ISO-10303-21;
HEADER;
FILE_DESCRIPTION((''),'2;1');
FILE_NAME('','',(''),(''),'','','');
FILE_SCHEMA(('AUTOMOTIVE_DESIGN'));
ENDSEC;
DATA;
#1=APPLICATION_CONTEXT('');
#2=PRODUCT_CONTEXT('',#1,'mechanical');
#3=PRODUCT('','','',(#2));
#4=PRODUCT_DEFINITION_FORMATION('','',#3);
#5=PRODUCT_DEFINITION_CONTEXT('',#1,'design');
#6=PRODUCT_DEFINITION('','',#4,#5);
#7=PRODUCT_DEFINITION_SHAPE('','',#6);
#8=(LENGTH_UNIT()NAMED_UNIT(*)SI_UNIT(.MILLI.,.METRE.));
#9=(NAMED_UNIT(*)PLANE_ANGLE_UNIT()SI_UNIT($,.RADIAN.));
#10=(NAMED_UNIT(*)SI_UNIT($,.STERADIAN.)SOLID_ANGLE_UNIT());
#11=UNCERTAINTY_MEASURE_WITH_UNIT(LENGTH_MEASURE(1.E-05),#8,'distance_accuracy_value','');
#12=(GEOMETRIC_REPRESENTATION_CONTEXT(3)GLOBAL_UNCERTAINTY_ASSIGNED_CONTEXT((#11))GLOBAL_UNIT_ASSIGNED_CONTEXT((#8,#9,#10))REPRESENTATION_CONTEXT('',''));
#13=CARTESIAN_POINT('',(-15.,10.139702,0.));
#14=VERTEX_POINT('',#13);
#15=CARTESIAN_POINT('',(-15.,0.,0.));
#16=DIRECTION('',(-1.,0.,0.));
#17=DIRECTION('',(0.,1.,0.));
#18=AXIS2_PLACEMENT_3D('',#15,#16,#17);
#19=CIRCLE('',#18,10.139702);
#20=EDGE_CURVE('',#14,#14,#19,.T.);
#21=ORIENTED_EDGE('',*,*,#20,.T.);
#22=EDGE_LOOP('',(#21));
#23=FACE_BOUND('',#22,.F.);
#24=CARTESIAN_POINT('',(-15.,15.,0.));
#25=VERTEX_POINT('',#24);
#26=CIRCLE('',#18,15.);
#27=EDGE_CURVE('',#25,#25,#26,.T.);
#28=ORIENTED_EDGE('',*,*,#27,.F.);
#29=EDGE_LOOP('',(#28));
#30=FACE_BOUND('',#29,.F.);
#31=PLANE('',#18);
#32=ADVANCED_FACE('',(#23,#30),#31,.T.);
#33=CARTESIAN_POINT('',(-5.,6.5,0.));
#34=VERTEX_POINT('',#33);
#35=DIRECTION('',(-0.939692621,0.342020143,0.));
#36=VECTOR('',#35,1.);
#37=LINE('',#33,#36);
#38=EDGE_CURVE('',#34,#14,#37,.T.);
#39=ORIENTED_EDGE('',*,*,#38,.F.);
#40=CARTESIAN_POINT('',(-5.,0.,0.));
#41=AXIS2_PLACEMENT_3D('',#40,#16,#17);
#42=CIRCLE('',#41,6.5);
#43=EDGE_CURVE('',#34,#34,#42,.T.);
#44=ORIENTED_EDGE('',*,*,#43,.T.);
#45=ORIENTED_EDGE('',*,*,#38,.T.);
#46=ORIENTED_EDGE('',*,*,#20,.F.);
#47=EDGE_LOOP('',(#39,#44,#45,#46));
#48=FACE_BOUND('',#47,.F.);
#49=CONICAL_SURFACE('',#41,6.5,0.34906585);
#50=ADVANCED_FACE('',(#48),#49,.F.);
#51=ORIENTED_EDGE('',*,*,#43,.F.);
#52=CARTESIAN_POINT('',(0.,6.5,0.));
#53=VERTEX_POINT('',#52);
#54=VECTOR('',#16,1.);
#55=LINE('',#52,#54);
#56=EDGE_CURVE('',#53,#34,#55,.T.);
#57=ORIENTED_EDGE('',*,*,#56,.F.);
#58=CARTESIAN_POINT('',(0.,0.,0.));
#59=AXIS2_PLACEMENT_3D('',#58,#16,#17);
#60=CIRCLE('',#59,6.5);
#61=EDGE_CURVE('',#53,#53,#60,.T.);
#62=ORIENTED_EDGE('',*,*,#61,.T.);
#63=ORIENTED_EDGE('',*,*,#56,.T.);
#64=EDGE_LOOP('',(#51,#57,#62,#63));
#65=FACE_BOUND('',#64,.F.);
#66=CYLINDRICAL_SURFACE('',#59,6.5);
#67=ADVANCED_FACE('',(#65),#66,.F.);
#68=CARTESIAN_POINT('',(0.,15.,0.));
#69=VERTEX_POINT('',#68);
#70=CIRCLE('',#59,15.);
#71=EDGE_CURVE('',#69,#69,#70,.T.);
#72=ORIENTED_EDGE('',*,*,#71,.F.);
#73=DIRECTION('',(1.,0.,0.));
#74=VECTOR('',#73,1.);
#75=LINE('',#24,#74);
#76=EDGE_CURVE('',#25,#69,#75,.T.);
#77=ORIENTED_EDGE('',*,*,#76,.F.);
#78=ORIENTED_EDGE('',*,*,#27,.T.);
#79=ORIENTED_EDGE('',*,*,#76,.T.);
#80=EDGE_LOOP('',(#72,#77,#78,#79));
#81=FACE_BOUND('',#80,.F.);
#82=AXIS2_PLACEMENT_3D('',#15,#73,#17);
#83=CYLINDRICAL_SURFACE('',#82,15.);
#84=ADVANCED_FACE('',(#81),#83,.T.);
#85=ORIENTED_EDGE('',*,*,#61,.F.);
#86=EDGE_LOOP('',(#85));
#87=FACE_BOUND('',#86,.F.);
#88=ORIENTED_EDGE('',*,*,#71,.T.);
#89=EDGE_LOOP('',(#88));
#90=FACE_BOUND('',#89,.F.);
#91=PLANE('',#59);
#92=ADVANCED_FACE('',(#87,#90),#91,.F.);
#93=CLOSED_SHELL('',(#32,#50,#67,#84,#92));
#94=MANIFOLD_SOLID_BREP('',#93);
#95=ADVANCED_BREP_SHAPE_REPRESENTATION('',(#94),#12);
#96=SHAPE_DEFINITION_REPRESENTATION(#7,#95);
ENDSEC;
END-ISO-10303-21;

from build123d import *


with BuildPart() as part:
    # Schizzo1 → Rivoluzione1 (revolve)
    with BuildSketch(Plane.XY):
        Polygon((0, 6.5), (-5, 6.5), (-15, 10.139702343), (-15, 15), (0, 15), align=None)
    revolve(axis=Axis((0, 0, 0), (-1, 0, 0)))


solid = part.part
